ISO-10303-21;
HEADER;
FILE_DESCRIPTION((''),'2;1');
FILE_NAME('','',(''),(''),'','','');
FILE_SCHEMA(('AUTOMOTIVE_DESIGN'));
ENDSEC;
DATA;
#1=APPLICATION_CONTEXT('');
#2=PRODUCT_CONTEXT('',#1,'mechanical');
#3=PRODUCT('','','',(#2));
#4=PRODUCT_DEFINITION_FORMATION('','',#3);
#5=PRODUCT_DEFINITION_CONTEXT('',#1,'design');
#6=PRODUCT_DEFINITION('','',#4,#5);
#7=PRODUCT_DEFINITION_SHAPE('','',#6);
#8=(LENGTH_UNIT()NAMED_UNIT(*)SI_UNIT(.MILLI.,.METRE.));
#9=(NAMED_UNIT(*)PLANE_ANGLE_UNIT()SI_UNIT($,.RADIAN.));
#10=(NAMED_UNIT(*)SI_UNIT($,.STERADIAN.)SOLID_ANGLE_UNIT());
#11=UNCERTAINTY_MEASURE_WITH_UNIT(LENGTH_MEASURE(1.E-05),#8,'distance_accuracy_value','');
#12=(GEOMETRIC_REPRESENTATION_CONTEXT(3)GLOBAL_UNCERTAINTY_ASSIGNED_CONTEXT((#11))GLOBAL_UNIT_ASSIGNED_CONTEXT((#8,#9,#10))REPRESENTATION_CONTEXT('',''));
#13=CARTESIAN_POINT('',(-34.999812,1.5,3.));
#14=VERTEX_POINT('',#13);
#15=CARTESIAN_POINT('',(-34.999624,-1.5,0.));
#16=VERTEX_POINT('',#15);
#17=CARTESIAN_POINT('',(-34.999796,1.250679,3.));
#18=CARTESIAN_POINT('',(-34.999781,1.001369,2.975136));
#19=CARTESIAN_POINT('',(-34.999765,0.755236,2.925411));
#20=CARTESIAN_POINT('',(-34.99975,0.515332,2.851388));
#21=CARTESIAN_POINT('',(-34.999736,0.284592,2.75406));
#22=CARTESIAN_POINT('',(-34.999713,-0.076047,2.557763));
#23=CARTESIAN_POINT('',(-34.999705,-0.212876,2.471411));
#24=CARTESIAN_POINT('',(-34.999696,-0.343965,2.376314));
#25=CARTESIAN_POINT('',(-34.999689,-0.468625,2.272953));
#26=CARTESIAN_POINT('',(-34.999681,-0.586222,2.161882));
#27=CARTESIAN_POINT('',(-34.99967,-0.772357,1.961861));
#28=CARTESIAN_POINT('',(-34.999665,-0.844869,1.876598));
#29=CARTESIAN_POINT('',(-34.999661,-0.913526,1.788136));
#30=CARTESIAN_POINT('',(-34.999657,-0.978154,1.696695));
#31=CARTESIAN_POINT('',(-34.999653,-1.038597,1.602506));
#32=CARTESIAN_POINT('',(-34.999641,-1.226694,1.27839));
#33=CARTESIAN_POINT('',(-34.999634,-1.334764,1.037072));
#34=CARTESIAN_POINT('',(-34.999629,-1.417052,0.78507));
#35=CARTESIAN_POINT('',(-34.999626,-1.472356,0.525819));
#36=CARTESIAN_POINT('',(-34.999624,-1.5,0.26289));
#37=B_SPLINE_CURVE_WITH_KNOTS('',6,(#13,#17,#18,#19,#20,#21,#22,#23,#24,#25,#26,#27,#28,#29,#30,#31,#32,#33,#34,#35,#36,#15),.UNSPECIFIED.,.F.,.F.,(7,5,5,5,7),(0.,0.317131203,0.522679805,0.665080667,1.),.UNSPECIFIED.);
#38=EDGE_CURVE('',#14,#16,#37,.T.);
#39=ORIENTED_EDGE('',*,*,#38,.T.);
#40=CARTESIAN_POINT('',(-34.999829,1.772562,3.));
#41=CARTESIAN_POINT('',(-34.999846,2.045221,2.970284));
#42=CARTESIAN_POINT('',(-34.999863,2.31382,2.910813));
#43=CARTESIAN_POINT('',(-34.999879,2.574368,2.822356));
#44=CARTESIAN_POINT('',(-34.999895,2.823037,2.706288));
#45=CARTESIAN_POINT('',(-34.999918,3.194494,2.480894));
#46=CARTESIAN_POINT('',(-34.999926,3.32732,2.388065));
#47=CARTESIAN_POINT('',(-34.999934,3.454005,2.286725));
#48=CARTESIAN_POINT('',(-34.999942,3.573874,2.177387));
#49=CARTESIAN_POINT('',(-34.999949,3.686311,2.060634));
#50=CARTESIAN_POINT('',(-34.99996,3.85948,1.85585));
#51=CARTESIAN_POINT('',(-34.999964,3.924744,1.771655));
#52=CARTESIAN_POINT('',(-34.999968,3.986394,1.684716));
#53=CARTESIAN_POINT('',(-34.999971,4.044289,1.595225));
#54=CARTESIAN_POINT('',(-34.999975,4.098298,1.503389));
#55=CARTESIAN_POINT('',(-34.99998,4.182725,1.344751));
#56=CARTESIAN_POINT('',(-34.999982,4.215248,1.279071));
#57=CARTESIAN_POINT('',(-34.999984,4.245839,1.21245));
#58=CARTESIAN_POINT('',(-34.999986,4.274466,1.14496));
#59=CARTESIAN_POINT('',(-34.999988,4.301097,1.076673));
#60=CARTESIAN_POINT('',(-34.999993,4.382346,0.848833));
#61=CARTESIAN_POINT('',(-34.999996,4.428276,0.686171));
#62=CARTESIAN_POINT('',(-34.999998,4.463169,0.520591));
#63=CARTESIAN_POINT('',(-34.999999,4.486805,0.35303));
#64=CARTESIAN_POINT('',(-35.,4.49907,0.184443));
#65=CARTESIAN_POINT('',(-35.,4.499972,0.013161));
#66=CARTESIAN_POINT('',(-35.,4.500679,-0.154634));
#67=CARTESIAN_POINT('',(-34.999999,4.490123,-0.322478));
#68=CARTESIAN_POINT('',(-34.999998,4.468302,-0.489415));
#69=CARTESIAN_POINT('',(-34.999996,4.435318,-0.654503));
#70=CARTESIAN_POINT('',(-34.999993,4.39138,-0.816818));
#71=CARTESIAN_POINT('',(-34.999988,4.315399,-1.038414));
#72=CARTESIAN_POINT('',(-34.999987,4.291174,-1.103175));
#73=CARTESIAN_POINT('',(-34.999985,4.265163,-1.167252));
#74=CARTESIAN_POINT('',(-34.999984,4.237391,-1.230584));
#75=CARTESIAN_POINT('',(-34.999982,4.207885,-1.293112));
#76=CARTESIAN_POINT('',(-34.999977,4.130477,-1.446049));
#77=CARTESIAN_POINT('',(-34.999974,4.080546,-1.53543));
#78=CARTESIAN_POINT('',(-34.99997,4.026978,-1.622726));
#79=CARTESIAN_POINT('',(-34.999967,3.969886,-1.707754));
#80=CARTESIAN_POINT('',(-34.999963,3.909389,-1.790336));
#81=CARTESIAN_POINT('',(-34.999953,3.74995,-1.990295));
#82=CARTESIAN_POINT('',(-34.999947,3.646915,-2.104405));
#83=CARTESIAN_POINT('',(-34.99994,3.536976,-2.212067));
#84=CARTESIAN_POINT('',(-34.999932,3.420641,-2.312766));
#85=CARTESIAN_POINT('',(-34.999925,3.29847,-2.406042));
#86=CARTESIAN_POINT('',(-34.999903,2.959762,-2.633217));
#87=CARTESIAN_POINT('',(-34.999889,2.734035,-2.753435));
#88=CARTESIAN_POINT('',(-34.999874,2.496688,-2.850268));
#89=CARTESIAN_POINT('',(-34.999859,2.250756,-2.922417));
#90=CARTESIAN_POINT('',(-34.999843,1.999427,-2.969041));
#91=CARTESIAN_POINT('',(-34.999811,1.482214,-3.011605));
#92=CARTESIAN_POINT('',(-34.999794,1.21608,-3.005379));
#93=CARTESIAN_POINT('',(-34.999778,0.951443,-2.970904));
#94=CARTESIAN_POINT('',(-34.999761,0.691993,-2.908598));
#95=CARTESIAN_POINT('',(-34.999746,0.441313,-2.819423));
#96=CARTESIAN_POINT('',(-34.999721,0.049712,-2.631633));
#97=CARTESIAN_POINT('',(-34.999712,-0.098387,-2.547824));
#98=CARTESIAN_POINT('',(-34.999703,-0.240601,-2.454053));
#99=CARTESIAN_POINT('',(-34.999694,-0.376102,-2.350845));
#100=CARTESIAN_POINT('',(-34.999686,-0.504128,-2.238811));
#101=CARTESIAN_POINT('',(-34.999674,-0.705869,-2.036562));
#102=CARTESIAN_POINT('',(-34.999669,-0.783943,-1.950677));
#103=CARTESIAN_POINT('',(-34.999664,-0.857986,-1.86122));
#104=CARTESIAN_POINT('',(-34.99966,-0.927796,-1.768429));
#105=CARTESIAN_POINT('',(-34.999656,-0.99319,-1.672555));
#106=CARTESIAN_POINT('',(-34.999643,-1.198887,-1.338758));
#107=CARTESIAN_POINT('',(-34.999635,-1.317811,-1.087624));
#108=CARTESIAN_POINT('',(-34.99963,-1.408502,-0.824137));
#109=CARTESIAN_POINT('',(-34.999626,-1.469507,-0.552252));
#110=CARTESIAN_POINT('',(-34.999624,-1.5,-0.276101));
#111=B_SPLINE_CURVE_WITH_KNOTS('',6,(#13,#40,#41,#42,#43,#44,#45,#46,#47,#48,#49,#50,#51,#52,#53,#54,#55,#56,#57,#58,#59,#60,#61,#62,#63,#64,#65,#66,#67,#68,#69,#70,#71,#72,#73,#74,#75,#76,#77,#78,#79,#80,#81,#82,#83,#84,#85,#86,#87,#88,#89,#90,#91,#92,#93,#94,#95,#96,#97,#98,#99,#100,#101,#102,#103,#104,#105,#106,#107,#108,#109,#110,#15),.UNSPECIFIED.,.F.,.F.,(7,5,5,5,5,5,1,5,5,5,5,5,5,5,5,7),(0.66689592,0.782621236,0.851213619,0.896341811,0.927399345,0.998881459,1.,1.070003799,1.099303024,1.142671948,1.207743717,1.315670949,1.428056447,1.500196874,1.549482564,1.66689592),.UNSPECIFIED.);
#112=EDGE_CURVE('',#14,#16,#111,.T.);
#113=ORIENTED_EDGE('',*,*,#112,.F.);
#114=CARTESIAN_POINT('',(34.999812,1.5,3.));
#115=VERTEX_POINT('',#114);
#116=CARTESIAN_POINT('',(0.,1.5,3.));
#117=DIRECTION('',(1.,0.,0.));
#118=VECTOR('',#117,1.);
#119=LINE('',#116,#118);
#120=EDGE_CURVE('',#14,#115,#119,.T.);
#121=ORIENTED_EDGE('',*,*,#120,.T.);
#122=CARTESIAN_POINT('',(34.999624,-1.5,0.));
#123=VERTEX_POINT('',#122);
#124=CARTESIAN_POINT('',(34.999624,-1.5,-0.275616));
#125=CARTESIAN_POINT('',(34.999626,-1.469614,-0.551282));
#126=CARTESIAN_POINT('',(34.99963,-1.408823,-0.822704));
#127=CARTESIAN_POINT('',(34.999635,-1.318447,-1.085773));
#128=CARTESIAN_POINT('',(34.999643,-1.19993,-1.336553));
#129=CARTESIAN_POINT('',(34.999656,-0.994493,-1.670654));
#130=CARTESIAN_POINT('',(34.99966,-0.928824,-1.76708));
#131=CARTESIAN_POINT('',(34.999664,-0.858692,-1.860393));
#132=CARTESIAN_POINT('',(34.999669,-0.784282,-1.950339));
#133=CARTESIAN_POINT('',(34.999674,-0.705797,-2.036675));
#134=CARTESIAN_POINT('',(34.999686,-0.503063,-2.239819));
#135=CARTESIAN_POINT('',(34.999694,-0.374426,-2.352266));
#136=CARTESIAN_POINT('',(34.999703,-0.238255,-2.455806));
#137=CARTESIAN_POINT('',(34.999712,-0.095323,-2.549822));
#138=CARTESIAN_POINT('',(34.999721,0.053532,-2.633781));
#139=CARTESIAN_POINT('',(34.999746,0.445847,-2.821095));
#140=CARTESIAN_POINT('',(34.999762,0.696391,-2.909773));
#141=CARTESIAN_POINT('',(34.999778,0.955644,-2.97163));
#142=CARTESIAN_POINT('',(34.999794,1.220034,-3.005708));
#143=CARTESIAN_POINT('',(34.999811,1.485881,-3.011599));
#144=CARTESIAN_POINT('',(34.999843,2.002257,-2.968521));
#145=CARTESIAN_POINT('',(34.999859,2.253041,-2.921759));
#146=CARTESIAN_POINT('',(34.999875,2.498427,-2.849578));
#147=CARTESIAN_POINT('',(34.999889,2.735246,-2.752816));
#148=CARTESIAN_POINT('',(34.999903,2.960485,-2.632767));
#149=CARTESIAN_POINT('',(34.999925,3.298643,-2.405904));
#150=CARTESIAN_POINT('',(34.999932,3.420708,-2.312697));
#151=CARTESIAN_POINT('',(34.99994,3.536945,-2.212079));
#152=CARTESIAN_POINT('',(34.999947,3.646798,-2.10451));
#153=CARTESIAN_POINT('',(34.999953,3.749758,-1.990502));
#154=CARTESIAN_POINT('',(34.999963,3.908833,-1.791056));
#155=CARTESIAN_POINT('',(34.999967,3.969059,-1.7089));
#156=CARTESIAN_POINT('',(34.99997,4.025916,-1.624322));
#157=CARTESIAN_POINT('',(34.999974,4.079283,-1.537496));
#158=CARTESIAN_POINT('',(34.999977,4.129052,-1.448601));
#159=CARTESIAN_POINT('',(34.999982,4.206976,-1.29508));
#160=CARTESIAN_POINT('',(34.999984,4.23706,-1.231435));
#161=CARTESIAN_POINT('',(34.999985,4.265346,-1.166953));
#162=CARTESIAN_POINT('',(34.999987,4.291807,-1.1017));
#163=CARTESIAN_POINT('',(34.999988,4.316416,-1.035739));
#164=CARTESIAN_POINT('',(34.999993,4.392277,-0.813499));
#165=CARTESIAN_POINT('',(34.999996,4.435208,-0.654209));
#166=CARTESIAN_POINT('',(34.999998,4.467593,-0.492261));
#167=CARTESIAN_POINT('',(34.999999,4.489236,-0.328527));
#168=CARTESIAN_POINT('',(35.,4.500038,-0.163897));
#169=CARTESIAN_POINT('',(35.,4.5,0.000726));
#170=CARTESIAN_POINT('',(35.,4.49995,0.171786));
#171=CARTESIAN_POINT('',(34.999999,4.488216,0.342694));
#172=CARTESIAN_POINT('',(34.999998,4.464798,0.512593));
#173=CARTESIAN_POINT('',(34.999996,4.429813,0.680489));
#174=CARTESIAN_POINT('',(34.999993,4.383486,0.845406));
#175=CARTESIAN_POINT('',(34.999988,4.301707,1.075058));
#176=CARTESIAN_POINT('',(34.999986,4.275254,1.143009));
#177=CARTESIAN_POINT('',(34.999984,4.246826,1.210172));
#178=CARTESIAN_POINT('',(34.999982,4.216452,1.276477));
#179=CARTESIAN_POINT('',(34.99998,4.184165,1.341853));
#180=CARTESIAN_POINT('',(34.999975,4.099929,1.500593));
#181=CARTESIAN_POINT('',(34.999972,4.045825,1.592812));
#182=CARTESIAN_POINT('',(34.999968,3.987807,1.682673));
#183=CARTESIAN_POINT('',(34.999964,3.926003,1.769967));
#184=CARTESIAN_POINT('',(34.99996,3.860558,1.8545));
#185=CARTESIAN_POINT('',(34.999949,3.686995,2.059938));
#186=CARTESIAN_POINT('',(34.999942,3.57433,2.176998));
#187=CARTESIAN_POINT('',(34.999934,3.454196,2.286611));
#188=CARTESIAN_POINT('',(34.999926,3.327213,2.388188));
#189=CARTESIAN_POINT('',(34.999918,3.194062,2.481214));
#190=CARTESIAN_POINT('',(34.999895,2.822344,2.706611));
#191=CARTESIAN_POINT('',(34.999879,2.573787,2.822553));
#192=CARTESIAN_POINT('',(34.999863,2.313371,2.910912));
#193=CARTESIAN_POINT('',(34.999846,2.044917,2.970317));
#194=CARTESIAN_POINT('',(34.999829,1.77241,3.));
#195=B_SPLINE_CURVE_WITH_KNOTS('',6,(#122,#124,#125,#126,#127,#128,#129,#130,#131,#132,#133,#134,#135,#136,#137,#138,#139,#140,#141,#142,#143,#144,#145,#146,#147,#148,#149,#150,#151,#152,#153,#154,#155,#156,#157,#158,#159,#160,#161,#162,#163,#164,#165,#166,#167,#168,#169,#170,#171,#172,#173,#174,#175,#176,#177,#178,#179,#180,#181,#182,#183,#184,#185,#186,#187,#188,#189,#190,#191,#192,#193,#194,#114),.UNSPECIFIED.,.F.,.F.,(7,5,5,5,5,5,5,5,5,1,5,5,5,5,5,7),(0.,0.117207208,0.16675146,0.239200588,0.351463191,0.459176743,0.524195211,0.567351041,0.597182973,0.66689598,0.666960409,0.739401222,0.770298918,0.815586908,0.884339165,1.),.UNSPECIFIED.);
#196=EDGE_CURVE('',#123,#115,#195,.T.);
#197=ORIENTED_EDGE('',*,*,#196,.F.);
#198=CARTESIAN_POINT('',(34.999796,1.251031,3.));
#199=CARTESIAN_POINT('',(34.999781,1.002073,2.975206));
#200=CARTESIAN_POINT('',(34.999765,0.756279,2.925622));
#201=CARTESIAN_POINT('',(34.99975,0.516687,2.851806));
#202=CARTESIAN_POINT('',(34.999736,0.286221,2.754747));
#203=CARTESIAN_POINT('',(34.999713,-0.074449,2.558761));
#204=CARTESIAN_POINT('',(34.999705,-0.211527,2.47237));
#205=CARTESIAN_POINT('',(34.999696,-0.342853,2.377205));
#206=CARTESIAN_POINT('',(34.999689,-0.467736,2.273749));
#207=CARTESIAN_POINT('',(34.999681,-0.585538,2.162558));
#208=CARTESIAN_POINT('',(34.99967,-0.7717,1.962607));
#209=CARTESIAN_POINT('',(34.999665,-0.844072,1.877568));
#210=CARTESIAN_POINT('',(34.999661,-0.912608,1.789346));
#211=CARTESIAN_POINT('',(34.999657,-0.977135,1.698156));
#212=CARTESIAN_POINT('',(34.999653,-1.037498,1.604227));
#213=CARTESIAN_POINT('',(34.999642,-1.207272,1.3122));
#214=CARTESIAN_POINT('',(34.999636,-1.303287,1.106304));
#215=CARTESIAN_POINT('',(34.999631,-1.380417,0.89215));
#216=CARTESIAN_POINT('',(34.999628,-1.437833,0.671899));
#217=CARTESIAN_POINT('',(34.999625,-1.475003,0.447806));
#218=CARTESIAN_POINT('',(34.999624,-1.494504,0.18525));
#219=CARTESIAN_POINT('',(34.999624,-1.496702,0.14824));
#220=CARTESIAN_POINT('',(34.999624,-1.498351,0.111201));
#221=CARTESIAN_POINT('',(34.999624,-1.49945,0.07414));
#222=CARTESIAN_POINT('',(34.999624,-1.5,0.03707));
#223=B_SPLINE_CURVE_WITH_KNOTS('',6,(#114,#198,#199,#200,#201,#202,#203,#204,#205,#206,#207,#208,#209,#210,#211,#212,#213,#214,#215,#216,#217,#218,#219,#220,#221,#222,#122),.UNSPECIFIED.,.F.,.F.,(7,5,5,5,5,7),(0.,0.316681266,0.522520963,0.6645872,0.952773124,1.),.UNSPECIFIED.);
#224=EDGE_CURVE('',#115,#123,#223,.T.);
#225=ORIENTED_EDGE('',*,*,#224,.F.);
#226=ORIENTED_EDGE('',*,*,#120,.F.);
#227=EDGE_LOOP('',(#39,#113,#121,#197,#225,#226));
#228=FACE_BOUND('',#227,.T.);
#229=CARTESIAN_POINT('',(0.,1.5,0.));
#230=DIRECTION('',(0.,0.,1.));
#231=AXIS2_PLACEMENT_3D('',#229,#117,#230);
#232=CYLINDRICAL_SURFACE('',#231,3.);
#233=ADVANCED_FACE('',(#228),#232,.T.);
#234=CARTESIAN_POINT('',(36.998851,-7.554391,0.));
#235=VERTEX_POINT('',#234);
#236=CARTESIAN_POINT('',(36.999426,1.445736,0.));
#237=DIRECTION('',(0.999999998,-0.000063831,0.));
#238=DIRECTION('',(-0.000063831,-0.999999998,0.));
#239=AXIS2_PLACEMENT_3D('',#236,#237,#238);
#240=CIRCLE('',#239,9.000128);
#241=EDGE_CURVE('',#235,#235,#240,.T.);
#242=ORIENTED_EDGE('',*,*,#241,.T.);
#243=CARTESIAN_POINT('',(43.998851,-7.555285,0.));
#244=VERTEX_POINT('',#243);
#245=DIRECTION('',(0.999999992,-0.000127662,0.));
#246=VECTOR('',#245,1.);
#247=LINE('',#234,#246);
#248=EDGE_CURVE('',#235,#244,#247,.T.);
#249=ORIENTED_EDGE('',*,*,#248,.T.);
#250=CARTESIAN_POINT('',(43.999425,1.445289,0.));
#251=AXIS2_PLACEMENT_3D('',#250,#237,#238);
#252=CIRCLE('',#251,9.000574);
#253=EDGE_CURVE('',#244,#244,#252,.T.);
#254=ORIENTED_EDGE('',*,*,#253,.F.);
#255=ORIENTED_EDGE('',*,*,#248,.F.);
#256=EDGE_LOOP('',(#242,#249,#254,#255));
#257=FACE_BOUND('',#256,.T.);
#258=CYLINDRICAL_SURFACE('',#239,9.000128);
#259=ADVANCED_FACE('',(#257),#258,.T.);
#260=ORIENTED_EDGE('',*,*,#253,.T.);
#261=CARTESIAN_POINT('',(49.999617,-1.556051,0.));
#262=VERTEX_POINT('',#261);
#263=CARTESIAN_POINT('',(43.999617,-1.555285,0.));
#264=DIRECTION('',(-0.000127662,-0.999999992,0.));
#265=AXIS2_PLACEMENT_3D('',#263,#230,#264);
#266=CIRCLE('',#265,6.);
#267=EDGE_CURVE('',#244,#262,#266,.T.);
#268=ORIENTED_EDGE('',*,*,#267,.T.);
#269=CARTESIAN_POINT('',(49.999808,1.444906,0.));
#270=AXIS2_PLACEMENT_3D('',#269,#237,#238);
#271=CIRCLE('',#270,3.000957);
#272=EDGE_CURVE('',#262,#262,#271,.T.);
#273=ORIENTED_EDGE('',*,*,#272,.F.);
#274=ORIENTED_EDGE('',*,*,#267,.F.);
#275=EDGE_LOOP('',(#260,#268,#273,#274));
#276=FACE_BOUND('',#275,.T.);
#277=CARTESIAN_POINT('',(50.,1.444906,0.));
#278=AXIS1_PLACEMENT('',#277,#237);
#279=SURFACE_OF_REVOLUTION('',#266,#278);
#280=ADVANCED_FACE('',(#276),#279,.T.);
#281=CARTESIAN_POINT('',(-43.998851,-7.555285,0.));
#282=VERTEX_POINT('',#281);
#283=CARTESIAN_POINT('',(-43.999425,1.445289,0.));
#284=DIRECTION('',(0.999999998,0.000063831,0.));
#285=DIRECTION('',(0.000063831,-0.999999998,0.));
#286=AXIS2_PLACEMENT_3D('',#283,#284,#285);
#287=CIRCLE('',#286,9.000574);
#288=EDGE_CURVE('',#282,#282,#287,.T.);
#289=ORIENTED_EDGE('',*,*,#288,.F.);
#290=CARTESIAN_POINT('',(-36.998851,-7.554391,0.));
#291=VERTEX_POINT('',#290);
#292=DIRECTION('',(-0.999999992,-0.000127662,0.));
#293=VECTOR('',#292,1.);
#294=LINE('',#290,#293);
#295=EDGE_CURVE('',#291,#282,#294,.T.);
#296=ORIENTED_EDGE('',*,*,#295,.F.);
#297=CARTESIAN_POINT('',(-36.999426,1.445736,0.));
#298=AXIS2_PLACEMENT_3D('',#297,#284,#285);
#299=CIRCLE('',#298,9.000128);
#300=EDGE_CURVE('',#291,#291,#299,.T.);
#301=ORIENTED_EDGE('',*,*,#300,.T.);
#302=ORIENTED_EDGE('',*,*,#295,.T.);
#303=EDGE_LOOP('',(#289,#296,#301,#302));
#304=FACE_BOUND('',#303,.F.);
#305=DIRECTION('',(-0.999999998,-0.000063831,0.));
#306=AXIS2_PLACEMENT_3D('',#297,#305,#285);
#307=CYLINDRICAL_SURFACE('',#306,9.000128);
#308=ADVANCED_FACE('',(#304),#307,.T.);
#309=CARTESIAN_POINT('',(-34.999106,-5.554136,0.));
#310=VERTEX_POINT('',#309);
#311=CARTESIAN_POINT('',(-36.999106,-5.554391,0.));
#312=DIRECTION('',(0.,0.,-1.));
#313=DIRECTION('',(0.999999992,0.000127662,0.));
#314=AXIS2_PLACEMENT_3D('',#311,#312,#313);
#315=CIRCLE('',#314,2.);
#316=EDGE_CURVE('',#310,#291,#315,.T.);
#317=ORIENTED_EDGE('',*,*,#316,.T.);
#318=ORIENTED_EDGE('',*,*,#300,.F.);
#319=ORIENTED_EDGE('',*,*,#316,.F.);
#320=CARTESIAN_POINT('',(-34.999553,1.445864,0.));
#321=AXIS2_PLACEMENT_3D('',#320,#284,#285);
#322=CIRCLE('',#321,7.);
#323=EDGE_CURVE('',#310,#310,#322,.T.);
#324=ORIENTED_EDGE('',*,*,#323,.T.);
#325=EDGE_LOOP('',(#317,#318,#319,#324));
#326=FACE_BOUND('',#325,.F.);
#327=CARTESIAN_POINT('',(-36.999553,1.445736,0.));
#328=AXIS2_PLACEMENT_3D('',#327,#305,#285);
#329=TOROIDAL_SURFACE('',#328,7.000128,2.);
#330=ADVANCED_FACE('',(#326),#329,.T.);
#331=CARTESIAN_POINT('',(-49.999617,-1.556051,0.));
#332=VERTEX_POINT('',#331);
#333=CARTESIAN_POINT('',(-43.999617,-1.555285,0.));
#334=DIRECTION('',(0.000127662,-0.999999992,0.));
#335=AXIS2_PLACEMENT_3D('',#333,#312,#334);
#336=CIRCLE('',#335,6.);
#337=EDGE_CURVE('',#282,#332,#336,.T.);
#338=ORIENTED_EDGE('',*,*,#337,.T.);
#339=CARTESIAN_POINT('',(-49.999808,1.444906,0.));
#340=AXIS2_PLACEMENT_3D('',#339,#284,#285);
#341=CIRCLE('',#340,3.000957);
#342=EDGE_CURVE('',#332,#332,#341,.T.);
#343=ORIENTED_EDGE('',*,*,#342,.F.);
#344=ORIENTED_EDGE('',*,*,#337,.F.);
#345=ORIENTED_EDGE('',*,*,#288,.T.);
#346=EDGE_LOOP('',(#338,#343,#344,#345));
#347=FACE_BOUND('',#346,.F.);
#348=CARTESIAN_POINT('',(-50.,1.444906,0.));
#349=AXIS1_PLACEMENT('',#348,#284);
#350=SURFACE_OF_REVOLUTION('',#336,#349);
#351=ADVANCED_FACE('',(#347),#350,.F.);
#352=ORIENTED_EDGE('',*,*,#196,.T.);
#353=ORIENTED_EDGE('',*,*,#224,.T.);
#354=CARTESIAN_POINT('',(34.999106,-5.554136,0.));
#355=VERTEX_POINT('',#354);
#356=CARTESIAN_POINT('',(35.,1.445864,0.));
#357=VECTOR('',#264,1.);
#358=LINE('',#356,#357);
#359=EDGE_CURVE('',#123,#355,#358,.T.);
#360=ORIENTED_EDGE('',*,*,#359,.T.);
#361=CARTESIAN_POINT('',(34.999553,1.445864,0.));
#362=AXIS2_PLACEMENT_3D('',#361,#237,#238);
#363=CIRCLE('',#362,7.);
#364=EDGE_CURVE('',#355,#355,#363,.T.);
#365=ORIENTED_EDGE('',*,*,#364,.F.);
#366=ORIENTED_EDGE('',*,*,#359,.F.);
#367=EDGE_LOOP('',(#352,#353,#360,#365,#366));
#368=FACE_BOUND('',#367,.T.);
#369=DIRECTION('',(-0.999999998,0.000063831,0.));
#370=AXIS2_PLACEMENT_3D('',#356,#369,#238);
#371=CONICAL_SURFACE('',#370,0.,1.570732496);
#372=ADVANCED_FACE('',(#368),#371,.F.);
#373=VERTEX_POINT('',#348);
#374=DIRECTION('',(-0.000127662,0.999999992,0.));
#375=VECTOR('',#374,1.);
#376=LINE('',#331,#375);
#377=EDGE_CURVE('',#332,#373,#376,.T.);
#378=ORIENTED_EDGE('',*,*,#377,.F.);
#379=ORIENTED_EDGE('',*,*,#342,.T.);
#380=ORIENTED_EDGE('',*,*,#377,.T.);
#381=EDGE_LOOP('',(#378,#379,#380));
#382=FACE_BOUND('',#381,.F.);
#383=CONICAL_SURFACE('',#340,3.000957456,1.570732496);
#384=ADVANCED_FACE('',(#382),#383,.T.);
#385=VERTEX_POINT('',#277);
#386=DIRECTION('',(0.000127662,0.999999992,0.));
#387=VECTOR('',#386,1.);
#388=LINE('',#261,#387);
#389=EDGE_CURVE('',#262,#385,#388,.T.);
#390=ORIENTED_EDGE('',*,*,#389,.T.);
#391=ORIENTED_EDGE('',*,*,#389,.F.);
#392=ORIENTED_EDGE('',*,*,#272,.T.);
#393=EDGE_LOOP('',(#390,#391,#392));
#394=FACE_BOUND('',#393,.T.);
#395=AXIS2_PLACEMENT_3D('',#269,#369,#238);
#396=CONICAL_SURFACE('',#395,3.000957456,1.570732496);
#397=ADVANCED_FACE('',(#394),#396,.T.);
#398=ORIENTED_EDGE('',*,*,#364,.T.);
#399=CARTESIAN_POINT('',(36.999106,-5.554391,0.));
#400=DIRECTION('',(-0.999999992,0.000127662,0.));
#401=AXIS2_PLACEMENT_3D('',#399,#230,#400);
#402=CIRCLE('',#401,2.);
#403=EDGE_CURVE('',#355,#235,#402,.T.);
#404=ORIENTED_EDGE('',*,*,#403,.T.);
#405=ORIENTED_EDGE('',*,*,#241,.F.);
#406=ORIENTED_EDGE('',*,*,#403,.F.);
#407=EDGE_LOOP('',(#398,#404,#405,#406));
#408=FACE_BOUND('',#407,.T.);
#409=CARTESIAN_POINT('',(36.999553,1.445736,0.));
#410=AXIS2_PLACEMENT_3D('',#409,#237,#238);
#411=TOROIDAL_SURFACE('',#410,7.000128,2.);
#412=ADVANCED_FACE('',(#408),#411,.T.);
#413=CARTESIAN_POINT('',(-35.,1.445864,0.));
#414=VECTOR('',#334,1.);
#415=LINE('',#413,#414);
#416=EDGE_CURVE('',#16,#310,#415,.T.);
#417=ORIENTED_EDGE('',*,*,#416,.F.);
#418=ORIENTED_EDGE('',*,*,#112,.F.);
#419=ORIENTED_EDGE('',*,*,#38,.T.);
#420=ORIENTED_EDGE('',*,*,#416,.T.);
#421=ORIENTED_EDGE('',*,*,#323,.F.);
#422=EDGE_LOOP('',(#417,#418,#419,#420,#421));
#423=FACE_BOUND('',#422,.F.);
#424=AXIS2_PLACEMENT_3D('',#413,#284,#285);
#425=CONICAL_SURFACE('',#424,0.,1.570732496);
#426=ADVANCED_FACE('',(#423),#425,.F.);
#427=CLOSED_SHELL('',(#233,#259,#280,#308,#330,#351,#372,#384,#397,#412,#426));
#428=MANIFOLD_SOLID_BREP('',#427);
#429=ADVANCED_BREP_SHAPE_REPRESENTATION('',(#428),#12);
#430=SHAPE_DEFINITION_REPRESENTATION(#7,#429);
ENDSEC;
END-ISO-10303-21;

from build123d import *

# Parameters (mm, degrees)
SKETCH1_W = 70
SKETCH1_H = 3


with BuildPart() as part:
    # Sketch1 → Revolve1 (revolve)
    with BuildSketch(Plane.XY, mode=Mode.PRIVATE) as revolve1_sk:
        Rectangle(SKETCH1_W, SKETCH1_H)
    revolve(revolve1_sk.sketch.rotate(Axis((-35, 1.5, 0), (1, 0, 0)), 270), axis=Axis((-35, 1.5, 0), (1, 0, 0)))

    # Sketch2 → Revolve2 (revolve)
    with BuildSketch(Plane.XY, mode=Mode.PRIVATE) as revolve2_sk:
        Polygon((-44, 1.445289322), (-37, 1.445736138), (-37, 10.445863799), (-44, 10.445863799), align=None)
        with BuildLine():
            Line((-37, 10.445863799), (-37, 1.445736138))
            Line((-37, 1.445736138), (-35, 1.445863799))
            Line((-35, 1.445863799), (-35, 8.445863799))
            ThreePointArc((-35, 8.445863799), (-35.585786438, 9.860077362), (-37, 10.445863799))
        make_face()
        with BuildLine():
            Line((-50, 1.444906337), (-44, 1.445289322))
            Line((-44, 1.445289322), (-44, 10.445863799))
            ThreePointArc((-44, 10.445863799), (-48.242640687, 8.688504486), (-50, 4.445863799))
            Line((-50, 4.445863799), (-50, 1.444906337))
        make_face()
    revolve2 = revolve(revolve2_sk.sketch.rotate(Axis((-50, 1.444906337, 0), (0.9999999979628139, 6.383080945348042e-05, 0)), 180), axis=Axis((-50, 1.444906337, 0), (0.9999999979628139, 6.383080945348042e-05, 0)))

    # Mirror1: Revolve2 across plane
    add(revolve2.mirror(Plane(origin=(0, 0, 0), x_dir=(0, 0, 1), z_dir=(1, 0, 0))))


solid = part.part
